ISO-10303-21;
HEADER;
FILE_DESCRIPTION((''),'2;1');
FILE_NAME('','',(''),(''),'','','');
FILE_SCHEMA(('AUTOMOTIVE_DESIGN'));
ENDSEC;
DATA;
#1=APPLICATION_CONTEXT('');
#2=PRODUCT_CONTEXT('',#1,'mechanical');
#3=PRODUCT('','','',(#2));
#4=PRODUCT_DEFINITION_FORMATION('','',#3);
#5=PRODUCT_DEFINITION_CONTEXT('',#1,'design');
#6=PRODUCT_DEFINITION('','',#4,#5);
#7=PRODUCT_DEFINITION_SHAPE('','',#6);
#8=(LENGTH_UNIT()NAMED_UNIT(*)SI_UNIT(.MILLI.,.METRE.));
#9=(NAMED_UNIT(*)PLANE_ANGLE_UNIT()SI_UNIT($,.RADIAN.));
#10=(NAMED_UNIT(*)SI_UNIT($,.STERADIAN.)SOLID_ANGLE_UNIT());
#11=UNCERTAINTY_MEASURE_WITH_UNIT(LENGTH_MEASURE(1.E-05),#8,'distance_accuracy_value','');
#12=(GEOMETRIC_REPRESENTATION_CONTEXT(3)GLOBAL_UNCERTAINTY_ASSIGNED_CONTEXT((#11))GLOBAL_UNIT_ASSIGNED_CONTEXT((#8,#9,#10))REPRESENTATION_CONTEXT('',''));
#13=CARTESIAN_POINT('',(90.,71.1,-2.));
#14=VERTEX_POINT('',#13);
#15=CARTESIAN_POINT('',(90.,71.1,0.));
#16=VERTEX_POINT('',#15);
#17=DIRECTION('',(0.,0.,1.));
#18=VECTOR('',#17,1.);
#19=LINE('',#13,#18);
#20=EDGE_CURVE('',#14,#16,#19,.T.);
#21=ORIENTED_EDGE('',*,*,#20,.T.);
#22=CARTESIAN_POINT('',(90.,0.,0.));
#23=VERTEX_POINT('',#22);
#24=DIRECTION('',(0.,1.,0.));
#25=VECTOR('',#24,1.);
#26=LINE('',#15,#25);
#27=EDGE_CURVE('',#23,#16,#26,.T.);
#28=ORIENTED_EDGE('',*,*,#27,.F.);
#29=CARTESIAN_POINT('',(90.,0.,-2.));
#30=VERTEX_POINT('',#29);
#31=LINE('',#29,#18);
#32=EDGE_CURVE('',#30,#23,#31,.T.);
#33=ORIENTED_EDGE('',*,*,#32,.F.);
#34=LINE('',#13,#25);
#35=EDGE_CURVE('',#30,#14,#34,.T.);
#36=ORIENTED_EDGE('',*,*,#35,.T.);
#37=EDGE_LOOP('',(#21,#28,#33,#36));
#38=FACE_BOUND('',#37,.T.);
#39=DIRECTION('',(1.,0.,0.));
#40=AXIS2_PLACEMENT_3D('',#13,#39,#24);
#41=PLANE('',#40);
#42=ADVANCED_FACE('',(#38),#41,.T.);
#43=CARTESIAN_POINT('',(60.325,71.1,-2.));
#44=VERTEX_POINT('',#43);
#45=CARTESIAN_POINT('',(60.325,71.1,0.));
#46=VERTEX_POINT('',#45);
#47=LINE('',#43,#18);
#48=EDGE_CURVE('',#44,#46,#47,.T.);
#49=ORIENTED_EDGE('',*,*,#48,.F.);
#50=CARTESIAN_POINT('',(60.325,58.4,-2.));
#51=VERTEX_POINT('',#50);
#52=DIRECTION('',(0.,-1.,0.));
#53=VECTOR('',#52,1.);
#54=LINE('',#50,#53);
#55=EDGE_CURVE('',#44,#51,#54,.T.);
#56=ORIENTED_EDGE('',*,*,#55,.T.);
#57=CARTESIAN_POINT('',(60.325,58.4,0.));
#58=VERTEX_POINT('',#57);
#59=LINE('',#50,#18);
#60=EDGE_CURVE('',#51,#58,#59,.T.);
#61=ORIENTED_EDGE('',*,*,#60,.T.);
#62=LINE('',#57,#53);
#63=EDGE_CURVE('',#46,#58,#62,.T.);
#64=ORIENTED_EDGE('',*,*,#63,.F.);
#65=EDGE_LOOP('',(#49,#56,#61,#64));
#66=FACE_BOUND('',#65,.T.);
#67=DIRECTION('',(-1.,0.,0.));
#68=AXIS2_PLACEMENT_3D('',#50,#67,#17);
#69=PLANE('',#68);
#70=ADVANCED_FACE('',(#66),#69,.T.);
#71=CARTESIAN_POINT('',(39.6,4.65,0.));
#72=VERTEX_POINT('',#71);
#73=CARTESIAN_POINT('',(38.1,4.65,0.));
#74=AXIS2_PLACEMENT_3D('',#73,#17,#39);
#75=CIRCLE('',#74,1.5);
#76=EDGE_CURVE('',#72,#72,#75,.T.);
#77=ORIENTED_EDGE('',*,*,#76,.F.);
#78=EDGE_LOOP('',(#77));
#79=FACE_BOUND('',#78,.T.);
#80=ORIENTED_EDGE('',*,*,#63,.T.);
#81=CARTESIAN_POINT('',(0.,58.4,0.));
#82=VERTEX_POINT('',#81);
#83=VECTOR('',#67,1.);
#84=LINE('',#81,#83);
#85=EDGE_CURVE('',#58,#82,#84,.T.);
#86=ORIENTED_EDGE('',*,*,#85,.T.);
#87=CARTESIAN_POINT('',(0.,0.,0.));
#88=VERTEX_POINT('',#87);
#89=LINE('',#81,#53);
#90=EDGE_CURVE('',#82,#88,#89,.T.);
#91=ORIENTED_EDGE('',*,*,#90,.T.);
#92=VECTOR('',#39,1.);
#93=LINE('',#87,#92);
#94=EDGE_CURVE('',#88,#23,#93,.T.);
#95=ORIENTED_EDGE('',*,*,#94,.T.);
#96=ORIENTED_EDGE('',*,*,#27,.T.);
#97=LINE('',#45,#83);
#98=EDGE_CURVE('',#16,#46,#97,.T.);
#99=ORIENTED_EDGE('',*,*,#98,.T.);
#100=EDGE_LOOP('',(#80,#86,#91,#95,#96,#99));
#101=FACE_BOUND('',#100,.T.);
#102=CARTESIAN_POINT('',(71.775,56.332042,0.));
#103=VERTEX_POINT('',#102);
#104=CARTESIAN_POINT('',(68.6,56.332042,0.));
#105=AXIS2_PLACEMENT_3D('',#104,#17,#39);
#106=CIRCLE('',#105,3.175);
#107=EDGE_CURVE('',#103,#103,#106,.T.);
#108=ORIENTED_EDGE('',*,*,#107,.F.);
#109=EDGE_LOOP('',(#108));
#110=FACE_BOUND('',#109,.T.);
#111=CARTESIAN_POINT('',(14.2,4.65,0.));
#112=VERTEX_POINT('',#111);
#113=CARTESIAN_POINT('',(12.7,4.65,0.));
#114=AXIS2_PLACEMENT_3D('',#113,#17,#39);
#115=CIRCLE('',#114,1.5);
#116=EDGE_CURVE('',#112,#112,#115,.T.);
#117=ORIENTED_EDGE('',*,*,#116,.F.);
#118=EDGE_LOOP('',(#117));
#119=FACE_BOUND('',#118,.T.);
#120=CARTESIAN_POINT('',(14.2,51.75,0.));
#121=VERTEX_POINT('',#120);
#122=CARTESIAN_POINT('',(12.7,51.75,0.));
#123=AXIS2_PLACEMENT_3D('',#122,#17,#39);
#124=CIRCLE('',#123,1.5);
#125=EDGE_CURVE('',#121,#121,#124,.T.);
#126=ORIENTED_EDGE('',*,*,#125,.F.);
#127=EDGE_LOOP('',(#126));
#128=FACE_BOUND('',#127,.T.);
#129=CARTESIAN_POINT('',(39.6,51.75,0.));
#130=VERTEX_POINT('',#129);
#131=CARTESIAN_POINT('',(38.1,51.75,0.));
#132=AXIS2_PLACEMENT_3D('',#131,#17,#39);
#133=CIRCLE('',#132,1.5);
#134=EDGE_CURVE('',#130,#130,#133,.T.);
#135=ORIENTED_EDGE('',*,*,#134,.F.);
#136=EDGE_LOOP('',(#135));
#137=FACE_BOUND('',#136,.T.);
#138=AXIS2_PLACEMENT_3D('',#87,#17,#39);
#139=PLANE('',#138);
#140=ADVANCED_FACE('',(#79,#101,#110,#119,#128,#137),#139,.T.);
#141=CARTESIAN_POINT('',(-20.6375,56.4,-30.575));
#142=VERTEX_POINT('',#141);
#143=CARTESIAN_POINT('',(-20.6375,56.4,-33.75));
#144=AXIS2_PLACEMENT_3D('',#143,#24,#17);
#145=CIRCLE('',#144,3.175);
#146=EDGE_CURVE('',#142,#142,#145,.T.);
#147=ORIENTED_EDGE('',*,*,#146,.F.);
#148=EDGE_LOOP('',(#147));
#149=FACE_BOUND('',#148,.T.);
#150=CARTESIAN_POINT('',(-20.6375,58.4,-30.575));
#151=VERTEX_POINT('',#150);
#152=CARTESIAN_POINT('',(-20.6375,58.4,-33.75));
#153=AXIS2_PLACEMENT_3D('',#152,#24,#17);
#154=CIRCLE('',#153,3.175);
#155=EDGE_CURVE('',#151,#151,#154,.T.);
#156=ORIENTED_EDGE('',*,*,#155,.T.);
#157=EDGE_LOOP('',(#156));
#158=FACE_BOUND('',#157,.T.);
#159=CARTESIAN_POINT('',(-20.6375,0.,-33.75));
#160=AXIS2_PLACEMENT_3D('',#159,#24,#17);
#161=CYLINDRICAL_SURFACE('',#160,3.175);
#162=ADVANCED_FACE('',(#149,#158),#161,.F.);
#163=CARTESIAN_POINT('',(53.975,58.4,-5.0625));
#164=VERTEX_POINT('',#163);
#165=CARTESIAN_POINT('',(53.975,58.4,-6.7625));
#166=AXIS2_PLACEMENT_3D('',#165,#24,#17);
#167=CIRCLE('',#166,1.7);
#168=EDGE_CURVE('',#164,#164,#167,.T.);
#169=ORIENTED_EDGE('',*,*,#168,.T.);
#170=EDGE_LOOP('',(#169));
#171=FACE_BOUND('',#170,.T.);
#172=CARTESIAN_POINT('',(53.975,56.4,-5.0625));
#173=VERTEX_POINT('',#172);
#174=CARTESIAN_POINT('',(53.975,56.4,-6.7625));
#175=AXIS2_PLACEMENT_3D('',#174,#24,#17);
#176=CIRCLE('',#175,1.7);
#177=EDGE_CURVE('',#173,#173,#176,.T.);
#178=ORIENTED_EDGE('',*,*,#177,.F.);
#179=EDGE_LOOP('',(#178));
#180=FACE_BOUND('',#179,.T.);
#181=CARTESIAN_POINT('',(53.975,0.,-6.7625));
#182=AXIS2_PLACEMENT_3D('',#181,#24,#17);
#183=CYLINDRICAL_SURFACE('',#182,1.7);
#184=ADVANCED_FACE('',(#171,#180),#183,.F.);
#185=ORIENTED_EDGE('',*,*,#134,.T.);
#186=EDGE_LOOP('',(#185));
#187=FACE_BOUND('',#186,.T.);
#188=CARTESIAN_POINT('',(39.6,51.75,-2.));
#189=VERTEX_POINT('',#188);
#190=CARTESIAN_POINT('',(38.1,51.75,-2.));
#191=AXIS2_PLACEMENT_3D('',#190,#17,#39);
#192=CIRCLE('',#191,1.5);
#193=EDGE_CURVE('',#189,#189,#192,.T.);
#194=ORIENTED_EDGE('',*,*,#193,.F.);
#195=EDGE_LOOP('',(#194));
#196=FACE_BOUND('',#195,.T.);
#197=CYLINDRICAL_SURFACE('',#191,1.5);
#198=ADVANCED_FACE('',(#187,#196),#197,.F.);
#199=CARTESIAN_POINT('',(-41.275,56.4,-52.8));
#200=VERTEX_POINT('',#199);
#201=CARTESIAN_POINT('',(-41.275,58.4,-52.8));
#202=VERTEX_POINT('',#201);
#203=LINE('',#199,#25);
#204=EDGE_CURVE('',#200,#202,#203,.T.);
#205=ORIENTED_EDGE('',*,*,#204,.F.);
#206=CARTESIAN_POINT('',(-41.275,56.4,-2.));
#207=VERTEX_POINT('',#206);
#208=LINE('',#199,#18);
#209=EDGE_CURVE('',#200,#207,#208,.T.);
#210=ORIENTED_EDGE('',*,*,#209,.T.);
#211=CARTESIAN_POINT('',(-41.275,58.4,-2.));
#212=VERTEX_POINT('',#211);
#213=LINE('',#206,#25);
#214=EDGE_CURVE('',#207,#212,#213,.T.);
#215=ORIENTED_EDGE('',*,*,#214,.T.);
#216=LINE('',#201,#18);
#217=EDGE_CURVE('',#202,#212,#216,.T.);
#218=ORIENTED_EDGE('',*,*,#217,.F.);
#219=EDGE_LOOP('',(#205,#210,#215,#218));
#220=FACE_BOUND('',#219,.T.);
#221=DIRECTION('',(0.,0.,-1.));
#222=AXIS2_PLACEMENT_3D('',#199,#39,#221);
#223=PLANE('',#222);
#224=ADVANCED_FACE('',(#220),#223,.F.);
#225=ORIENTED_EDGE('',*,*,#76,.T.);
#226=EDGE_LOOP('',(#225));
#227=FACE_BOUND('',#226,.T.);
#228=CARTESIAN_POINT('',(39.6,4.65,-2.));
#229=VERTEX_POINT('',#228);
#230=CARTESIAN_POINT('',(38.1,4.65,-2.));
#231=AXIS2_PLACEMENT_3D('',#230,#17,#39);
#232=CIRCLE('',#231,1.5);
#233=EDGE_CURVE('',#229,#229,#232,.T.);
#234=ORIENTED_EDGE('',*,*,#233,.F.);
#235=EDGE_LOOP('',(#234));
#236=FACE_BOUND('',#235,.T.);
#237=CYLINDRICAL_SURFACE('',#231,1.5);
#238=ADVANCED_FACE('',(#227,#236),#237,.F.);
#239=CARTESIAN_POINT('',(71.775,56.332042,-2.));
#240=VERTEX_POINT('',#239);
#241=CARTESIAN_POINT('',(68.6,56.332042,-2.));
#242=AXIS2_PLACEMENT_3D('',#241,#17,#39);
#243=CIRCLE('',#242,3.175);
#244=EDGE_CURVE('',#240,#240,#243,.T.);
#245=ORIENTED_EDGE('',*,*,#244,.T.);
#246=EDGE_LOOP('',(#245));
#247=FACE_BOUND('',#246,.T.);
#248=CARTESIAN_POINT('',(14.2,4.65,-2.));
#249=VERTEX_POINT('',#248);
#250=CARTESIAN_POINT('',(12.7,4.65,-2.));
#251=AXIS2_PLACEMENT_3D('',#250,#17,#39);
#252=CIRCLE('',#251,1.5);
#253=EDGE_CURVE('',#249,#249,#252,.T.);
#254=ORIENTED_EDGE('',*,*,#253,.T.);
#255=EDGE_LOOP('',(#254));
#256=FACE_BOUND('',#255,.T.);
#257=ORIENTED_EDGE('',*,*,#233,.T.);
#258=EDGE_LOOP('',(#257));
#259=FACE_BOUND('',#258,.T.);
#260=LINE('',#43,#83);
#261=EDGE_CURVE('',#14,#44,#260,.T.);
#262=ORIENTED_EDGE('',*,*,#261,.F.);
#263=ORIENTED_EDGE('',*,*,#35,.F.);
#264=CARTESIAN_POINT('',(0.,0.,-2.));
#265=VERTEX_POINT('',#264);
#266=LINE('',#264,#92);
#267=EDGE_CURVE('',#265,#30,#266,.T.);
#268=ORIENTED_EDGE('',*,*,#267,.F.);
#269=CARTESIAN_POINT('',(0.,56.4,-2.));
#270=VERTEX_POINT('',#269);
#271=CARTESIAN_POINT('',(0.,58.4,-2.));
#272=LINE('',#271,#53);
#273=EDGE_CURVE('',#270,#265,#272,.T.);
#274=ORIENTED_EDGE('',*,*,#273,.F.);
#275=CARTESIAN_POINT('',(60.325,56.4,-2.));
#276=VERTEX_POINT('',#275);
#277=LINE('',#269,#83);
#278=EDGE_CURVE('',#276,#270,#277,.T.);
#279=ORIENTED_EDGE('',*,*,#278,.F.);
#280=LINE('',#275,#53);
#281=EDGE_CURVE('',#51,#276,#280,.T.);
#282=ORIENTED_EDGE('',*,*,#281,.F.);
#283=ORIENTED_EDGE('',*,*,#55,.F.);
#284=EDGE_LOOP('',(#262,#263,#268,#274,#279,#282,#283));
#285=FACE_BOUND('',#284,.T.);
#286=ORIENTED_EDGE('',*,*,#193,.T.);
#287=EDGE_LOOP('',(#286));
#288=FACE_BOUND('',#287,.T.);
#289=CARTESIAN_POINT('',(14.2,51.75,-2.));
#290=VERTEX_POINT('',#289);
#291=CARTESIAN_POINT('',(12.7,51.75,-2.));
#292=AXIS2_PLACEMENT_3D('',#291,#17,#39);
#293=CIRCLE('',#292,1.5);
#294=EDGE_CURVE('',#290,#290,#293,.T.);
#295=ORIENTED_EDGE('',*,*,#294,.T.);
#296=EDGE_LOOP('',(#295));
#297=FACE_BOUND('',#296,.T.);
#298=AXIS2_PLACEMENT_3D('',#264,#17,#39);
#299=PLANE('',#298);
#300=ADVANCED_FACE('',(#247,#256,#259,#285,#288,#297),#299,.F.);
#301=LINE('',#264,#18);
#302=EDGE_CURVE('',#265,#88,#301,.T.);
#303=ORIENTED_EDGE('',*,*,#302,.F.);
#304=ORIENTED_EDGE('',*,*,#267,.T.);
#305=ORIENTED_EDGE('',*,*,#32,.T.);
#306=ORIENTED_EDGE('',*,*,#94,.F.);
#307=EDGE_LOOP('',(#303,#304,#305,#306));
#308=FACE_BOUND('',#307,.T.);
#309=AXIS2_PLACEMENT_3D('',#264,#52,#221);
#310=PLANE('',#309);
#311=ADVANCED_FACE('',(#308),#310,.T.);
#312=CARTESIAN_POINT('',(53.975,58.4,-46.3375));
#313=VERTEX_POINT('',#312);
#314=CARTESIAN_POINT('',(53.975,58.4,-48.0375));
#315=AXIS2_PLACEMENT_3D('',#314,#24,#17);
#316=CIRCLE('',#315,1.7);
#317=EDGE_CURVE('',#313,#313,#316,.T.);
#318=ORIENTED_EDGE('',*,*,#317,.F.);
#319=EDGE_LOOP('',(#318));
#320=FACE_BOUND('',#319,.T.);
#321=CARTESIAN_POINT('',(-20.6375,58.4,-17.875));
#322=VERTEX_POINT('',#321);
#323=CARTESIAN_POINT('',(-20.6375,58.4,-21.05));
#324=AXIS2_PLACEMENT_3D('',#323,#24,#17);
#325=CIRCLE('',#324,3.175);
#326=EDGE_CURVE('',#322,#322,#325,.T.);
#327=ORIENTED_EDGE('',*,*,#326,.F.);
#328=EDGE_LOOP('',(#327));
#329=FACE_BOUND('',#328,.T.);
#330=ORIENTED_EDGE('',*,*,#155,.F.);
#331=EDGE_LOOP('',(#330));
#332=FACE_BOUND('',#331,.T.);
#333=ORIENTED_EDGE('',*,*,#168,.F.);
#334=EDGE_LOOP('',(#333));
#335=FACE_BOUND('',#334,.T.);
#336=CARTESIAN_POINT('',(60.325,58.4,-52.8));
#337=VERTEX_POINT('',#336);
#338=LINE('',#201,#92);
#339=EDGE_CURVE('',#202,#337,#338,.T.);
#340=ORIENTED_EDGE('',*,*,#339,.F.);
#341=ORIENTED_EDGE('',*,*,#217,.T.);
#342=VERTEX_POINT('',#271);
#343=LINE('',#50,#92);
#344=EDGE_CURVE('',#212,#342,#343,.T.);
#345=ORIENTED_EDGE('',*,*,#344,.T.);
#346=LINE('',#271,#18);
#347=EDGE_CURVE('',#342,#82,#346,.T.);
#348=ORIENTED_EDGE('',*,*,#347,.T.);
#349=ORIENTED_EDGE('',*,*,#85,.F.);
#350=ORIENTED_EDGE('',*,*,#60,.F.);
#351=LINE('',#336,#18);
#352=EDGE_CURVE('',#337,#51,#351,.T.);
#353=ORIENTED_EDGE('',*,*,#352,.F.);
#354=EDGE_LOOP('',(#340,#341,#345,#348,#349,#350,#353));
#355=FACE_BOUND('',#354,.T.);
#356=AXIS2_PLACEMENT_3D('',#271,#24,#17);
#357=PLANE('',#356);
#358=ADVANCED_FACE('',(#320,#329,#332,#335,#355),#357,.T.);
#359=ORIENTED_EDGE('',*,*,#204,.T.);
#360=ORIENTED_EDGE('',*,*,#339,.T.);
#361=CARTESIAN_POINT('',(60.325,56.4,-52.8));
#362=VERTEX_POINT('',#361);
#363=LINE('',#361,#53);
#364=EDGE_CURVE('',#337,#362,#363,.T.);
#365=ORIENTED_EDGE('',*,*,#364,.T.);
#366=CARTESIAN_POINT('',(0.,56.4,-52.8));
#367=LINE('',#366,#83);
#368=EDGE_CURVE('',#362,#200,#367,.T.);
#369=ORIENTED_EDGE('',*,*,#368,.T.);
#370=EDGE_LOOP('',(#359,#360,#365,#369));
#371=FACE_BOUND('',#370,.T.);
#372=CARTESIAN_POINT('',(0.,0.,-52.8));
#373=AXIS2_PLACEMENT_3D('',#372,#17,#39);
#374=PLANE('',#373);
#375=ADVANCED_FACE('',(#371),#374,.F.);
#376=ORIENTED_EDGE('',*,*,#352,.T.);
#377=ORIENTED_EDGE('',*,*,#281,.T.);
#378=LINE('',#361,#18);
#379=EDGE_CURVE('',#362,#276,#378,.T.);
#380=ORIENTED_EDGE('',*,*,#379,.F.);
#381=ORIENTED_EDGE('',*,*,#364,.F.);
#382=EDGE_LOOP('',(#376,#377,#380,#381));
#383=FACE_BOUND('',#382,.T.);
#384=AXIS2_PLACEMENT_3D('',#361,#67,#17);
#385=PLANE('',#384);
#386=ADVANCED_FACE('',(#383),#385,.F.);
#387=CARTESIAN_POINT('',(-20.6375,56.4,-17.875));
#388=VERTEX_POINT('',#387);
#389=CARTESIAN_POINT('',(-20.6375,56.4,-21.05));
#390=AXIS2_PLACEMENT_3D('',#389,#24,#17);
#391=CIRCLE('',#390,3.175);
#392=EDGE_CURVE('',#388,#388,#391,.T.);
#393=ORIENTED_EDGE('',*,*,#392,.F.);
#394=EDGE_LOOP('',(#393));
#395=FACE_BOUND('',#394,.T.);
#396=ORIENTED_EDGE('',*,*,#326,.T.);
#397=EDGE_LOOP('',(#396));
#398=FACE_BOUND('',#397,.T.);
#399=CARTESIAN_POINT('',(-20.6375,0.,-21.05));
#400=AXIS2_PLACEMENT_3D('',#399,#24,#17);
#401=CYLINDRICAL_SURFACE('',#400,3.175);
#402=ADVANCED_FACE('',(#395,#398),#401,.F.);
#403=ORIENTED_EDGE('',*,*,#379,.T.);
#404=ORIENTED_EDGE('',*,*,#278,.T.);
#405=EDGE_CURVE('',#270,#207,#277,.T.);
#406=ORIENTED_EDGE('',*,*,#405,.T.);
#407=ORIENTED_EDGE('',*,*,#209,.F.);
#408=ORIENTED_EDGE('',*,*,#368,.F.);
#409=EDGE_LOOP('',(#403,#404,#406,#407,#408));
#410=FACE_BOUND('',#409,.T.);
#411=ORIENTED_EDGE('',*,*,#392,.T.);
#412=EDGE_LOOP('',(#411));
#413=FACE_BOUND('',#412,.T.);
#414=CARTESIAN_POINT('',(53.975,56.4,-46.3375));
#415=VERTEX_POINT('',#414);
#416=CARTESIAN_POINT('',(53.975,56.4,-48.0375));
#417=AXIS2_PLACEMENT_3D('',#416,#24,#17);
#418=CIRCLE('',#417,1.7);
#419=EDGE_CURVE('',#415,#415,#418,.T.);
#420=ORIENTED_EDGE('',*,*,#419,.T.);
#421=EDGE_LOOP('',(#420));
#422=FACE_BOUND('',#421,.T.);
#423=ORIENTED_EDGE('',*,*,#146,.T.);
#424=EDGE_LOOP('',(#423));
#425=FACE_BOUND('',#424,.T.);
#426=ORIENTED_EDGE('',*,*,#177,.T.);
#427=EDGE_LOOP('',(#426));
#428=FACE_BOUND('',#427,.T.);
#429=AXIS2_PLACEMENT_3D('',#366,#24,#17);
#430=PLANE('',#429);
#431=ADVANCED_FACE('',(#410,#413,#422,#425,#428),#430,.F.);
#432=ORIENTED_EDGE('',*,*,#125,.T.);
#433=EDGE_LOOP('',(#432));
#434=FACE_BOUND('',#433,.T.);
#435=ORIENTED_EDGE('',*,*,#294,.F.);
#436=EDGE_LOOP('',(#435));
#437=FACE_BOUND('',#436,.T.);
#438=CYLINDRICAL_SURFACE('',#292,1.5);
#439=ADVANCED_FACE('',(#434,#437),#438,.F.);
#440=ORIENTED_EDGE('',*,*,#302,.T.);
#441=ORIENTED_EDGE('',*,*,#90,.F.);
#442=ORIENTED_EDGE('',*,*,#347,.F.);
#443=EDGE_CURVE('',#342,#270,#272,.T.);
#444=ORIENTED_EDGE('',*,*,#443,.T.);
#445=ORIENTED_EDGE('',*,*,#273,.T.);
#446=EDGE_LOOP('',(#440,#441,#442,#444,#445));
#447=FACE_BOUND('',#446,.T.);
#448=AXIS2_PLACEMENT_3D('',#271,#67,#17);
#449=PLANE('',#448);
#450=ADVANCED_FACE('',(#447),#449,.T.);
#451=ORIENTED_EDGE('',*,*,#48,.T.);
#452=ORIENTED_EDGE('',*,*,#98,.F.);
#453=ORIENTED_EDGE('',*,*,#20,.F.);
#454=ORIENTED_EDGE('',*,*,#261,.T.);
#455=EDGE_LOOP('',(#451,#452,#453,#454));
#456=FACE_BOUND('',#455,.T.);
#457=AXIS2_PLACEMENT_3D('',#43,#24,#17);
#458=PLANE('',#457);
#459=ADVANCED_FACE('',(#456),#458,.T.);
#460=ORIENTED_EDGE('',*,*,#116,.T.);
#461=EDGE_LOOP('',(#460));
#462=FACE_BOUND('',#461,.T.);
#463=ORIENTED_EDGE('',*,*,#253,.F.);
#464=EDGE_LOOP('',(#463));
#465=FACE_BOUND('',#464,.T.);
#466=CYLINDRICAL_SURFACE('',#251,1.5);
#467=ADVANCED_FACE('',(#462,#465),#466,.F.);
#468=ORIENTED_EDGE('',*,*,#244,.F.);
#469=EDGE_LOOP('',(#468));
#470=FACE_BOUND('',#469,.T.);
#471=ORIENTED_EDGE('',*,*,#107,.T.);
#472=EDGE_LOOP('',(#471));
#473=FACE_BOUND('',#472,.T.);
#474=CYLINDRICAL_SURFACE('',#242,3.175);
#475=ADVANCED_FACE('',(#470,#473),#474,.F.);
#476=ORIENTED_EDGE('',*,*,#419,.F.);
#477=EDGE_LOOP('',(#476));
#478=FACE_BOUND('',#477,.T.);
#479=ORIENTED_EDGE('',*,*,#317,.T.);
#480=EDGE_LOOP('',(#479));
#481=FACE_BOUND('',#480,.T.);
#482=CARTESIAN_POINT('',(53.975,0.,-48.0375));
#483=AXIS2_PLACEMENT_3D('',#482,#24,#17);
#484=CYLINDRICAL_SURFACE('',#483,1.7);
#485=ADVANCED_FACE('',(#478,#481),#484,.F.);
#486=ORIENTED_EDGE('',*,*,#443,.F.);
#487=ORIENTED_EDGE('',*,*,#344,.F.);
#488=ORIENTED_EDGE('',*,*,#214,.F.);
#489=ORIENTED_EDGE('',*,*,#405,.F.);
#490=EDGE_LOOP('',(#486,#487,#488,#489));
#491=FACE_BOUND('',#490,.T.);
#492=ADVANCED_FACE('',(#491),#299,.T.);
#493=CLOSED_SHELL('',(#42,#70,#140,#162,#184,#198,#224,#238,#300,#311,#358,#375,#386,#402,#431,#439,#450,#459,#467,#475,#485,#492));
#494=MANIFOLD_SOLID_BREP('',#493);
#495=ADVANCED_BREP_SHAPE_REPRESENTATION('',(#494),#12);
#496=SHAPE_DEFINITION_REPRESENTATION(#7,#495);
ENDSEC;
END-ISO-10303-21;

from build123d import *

# Parameters (mm, degrees)
SKETCH1_R           = 3.175
SKETCH1_R_2         = 1.5
BOSS_EXTRUDE1_DEPTH = 2
BOSS_EXTRUDE2_DEPTH = 50.8
SKETCH3_R           = 1.7
SKETCH3_R_2         = 3.175
CUT_EXTRUDE1_DEPTH  = 120.575917308


with BuildPart() as part:
    # Sketch1 → Boss-Extrude1 (new body)
    with BuildSketch(Plane.XY):
        Polygon((0, 58.4), (60.325, 58.4), (60.325, 71.1), (90, 71.1), (90, 0), (0, 0), align=None)
        with Locations((68.6, 56.33204182)):
            Circle(SKETCH1_R, mode=Mode.SUBTRACT)
        with Locations((12.7, 51.75)):
            Circle(SKETCH1_R_2, mode=Mode.SUBTRACT)
        with Locations((38.1, 51.75)):
            Circle(SKETCH1_R_2, mode=Mode.SUBTRACT)
        with Locations((12.7, 4.65)):
            Circle(SKETCH1_R_2, mode=Mode.SUBTRACT)
        with Locations((38.1, 4.65)):
            Circle(SKETCH1_R_2, mode=Mode.SUBTRACT)
    extrude(amount=-BOSS_EXTRUDE1_DEPTH)

    # Sketch2 → Boss-Extrude2 (add)
    with BuildSketch(Plane(origin=(0, 0, -2), x_dir=(-1, 0, 0), z_dir=(0, 0, -1))):
        Polygon((0, 56.4), (41.275, 56.4), (41.275, 58.4), (0, 58.4), (-60.325, 58.4), (-60.325, 56.4), align=None)
    extrude(amount=BOSS_EXTRUDE2_DEPTH)

    # Sketch3 → Cut-Extrude1 (cut, through all)
    with BuildSketch(Plane(origin=(0, 58.4, 0), x_dir=(1, 0, 0), z_dir=(0, 1, 0))):
        with Locations(Location((53.975, 48.0375, 0), (0, 0, 270))):
            Circle(SKETCH3_R)
        with Locations(Location((53.975, 6.7625, 0), (0, 0, 270))):
            Circle(SKETCH3_R)
        with Locations(Location((-20.6375, 33.75, 0), (0, 0, 270))):
            Circle(SKETCH3_R_2)
        with Locations(Location((-20.6375, 21.05, 0), (0, 0, 270))):
            Circle(SKETCH3_R_2)
    extrude(amount=-CUT_EXTRUDE1_DEPTH, mode=Mode.SUBTRACT)


solid = part.part
